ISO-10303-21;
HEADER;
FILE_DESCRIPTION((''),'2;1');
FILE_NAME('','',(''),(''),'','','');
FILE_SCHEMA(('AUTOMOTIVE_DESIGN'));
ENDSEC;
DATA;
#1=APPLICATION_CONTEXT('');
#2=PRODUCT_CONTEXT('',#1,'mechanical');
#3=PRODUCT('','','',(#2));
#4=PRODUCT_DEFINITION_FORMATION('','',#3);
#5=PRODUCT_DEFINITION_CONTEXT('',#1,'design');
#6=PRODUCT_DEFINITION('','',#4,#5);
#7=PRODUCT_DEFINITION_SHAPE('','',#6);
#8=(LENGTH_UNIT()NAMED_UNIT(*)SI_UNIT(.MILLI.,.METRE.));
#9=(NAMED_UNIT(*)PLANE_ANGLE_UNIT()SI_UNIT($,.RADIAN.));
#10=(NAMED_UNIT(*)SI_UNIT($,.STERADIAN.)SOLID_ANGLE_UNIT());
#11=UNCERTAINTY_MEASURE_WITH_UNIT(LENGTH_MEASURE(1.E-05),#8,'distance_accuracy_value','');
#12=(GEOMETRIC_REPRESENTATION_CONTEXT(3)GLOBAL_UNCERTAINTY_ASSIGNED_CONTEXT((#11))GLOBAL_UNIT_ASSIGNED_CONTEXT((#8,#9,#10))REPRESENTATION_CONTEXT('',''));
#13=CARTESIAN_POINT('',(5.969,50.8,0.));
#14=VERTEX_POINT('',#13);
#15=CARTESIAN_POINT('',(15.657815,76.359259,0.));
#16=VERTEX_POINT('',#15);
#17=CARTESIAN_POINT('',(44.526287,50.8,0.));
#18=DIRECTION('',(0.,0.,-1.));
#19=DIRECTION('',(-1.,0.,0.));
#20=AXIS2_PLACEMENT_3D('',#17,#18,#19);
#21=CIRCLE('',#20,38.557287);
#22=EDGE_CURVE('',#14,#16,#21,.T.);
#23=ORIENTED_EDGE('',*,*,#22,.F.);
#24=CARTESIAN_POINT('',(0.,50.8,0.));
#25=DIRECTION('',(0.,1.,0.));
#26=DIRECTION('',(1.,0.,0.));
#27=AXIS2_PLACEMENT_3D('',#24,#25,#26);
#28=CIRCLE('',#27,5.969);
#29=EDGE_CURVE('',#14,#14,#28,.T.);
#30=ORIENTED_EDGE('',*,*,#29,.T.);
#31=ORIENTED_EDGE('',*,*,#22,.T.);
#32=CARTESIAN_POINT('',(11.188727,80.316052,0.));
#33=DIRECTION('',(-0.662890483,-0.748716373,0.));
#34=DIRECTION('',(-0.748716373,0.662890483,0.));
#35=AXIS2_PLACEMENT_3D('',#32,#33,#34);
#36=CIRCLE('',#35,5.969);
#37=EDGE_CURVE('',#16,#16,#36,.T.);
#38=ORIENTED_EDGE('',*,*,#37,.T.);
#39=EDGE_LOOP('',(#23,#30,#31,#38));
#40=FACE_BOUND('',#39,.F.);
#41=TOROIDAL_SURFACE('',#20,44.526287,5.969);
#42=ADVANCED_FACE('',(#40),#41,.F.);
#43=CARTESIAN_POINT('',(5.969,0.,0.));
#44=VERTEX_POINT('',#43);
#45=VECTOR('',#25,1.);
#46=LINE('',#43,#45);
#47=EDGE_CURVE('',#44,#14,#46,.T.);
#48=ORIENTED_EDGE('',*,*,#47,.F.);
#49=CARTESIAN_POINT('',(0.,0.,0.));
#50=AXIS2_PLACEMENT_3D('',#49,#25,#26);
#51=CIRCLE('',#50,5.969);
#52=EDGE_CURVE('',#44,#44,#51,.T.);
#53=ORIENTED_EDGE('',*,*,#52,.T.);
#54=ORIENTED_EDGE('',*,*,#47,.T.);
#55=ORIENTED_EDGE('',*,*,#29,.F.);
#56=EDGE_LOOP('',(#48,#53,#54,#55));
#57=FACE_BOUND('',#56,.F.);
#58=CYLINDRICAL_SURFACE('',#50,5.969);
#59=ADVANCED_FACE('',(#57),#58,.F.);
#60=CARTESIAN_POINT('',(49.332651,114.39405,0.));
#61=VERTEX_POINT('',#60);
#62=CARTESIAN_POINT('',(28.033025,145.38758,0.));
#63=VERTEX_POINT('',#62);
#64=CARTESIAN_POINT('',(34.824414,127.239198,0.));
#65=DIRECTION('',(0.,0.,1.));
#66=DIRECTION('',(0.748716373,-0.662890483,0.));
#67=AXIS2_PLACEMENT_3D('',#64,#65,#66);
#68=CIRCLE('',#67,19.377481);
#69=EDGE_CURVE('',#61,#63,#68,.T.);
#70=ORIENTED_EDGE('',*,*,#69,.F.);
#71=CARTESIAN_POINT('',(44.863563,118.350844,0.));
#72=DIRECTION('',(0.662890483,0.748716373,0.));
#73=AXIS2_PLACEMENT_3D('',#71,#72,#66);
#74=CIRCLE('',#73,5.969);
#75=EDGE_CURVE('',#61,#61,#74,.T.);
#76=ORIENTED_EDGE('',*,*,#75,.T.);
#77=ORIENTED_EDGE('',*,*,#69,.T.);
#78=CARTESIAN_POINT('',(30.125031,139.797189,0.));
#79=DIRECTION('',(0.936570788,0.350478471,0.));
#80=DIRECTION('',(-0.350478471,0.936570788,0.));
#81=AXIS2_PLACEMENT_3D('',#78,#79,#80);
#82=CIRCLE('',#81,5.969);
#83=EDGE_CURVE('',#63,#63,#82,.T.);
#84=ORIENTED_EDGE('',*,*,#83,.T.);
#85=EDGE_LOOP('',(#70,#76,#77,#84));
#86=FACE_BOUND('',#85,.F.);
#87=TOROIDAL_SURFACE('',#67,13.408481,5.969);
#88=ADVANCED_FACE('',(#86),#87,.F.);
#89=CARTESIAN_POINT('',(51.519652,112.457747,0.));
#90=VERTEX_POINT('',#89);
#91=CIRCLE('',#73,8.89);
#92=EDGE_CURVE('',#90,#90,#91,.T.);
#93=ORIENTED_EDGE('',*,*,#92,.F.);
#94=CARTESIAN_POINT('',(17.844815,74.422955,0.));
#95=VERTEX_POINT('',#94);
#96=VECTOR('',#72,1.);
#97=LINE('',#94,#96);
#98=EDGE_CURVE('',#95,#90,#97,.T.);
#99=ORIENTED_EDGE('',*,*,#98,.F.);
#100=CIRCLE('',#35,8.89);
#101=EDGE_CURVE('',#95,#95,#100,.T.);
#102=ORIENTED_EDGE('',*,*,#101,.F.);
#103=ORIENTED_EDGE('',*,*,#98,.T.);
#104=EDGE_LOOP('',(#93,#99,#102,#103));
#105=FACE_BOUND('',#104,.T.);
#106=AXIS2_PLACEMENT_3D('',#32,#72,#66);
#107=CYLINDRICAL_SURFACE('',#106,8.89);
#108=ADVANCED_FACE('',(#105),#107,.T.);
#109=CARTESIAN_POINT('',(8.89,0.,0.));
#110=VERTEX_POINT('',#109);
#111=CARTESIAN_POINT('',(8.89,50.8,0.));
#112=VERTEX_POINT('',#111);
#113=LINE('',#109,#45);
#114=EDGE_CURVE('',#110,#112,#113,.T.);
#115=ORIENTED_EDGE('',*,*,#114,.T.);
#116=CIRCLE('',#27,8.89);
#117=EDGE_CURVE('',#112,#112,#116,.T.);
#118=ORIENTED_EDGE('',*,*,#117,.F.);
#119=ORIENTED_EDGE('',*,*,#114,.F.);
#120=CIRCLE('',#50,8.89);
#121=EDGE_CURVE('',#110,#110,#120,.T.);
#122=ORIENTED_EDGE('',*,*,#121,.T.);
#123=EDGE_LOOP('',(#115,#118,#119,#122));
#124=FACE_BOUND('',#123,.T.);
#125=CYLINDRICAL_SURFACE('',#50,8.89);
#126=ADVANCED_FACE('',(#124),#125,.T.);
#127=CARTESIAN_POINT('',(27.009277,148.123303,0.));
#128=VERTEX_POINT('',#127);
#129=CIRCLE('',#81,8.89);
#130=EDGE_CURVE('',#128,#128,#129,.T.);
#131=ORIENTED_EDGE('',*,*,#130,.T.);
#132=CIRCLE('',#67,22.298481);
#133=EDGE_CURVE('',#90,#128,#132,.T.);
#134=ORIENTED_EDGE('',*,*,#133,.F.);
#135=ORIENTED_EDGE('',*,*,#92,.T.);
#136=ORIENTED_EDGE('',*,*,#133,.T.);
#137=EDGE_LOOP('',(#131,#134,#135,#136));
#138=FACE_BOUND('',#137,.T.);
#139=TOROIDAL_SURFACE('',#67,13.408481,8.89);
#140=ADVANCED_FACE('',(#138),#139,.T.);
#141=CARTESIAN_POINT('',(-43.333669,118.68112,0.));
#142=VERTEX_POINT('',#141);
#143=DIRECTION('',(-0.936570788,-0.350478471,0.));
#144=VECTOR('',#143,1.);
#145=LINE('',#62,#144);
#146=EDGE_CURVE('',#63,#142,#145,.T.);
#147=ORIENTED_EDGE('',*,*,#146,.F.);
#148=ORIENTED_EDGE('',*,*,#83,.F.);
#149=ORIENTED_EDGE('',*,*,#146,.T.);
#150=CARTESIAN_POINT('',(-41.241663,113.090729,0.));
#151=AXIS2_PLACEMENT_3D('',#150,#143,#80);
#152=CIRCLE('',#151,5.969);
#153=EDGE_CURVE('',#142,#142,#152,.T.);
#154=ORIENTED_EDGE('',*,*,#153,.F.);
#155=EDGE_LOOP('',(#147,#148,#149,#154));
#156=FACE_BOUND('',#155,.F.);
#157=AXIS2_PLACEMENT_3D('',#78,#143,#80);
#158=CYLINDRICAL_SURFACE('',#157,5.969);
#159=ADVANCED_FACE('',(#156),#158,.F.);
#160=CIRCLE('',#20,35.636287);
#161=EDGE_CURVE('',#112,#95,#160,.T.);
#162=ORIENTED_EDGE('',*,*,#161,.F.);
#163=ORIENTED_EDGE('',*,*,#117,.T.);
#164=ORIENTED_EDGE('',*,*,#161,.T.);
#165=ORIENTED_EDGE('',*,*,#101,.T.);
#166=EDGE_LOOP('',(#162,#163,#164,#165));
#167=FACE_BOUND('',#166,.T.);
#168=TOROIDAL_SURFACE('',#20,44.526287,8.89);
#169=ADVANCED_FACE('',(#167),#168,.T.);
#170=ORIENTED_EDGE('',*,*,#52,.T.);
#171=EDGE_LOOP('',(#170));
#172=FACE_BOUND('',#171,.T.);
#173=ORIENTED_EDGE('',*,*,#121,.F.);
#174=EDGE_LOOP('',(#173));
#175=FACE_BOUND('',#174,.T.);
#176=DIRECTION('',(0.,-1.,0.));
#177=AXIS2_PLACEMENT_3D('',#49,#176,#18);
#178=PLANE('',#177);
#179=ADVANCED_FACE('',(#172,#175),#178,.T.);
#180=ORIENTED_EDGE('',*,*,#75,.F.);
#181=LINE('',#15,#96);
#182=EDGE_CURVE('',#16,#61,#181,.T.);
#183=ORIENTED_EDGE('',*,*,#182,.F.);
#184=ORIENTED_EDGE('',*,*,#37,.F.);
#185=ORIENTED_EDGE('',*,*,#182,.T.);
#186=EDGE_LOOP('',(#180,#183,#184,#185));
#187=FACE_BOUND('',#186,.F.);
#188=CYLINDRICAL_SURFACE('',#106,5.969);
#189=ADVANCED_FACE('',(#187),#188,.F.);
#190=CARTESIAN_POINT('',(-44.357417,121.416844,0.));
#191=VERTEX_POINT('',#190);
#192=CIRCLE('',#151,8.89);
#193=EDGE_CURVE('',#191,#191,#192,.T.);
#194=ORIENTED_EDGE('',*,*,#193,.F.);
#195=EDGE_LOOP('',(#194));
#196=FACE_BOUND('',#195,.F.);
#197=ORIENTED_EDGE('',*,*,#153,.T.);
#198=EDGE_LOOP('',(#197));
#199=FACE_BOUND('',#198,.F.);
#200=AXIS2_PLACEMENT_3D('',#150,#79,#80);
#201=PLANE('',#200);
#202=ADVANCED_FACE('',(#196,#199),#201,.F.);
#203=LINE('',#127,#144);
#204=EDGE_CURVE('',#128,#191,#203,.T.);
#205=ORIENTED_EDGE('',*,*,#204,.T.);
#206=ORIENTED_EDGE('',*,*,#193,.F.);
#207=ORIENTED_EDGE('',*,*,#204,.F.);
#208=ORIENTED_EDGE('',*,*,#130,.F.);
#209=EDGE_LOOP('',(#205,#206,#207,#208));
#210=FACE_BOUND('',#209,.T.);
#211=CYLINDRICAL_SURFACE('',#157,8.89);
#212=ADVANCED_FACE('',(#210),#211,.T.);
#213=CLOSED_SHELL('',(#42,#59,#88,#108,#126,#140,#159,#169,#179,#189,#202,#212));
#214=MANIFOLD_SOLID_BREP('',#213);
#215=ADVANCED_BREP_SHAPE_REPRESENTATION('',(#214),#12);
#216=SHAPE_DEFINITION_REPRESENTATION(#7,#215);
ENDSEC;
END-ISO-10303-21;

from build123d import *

# Parameters (mm, degrees)
F1_R   = 8.89
F1_R_2 = 5.969


with BuildPart() as f2:
    # F2: sweep along a path in F0
    with BuildLine(Plane.XY) as f2_path:
        Line((0, 0), (0, 50.8))
        ThreePointArc((0, 50.8), (2.8910374865, 66.5827827496), (11.1887268722, 80.3160518408))
        Line((11.1887268722, 80.3160518408), (44.8635634293, 118.3508435827))
        ThreePointArc((44.8635634293, 118.3508435827), (45.8749667661, 134.833448563), (30.1250307341, 139.7971889506))
        Line((30.1250307341, 139.7971889506), (-41.2416633306, 113.0907294647))
    # F1 (on Front) → F2 (sweep)
    with BuildSketch(Plane.XZ):
        Circle(F1_R)
        Circle(F1_R_2, mode=Mode.SUBTRACT)
    sweep(path=f2_path.line)


solid = f2.part
